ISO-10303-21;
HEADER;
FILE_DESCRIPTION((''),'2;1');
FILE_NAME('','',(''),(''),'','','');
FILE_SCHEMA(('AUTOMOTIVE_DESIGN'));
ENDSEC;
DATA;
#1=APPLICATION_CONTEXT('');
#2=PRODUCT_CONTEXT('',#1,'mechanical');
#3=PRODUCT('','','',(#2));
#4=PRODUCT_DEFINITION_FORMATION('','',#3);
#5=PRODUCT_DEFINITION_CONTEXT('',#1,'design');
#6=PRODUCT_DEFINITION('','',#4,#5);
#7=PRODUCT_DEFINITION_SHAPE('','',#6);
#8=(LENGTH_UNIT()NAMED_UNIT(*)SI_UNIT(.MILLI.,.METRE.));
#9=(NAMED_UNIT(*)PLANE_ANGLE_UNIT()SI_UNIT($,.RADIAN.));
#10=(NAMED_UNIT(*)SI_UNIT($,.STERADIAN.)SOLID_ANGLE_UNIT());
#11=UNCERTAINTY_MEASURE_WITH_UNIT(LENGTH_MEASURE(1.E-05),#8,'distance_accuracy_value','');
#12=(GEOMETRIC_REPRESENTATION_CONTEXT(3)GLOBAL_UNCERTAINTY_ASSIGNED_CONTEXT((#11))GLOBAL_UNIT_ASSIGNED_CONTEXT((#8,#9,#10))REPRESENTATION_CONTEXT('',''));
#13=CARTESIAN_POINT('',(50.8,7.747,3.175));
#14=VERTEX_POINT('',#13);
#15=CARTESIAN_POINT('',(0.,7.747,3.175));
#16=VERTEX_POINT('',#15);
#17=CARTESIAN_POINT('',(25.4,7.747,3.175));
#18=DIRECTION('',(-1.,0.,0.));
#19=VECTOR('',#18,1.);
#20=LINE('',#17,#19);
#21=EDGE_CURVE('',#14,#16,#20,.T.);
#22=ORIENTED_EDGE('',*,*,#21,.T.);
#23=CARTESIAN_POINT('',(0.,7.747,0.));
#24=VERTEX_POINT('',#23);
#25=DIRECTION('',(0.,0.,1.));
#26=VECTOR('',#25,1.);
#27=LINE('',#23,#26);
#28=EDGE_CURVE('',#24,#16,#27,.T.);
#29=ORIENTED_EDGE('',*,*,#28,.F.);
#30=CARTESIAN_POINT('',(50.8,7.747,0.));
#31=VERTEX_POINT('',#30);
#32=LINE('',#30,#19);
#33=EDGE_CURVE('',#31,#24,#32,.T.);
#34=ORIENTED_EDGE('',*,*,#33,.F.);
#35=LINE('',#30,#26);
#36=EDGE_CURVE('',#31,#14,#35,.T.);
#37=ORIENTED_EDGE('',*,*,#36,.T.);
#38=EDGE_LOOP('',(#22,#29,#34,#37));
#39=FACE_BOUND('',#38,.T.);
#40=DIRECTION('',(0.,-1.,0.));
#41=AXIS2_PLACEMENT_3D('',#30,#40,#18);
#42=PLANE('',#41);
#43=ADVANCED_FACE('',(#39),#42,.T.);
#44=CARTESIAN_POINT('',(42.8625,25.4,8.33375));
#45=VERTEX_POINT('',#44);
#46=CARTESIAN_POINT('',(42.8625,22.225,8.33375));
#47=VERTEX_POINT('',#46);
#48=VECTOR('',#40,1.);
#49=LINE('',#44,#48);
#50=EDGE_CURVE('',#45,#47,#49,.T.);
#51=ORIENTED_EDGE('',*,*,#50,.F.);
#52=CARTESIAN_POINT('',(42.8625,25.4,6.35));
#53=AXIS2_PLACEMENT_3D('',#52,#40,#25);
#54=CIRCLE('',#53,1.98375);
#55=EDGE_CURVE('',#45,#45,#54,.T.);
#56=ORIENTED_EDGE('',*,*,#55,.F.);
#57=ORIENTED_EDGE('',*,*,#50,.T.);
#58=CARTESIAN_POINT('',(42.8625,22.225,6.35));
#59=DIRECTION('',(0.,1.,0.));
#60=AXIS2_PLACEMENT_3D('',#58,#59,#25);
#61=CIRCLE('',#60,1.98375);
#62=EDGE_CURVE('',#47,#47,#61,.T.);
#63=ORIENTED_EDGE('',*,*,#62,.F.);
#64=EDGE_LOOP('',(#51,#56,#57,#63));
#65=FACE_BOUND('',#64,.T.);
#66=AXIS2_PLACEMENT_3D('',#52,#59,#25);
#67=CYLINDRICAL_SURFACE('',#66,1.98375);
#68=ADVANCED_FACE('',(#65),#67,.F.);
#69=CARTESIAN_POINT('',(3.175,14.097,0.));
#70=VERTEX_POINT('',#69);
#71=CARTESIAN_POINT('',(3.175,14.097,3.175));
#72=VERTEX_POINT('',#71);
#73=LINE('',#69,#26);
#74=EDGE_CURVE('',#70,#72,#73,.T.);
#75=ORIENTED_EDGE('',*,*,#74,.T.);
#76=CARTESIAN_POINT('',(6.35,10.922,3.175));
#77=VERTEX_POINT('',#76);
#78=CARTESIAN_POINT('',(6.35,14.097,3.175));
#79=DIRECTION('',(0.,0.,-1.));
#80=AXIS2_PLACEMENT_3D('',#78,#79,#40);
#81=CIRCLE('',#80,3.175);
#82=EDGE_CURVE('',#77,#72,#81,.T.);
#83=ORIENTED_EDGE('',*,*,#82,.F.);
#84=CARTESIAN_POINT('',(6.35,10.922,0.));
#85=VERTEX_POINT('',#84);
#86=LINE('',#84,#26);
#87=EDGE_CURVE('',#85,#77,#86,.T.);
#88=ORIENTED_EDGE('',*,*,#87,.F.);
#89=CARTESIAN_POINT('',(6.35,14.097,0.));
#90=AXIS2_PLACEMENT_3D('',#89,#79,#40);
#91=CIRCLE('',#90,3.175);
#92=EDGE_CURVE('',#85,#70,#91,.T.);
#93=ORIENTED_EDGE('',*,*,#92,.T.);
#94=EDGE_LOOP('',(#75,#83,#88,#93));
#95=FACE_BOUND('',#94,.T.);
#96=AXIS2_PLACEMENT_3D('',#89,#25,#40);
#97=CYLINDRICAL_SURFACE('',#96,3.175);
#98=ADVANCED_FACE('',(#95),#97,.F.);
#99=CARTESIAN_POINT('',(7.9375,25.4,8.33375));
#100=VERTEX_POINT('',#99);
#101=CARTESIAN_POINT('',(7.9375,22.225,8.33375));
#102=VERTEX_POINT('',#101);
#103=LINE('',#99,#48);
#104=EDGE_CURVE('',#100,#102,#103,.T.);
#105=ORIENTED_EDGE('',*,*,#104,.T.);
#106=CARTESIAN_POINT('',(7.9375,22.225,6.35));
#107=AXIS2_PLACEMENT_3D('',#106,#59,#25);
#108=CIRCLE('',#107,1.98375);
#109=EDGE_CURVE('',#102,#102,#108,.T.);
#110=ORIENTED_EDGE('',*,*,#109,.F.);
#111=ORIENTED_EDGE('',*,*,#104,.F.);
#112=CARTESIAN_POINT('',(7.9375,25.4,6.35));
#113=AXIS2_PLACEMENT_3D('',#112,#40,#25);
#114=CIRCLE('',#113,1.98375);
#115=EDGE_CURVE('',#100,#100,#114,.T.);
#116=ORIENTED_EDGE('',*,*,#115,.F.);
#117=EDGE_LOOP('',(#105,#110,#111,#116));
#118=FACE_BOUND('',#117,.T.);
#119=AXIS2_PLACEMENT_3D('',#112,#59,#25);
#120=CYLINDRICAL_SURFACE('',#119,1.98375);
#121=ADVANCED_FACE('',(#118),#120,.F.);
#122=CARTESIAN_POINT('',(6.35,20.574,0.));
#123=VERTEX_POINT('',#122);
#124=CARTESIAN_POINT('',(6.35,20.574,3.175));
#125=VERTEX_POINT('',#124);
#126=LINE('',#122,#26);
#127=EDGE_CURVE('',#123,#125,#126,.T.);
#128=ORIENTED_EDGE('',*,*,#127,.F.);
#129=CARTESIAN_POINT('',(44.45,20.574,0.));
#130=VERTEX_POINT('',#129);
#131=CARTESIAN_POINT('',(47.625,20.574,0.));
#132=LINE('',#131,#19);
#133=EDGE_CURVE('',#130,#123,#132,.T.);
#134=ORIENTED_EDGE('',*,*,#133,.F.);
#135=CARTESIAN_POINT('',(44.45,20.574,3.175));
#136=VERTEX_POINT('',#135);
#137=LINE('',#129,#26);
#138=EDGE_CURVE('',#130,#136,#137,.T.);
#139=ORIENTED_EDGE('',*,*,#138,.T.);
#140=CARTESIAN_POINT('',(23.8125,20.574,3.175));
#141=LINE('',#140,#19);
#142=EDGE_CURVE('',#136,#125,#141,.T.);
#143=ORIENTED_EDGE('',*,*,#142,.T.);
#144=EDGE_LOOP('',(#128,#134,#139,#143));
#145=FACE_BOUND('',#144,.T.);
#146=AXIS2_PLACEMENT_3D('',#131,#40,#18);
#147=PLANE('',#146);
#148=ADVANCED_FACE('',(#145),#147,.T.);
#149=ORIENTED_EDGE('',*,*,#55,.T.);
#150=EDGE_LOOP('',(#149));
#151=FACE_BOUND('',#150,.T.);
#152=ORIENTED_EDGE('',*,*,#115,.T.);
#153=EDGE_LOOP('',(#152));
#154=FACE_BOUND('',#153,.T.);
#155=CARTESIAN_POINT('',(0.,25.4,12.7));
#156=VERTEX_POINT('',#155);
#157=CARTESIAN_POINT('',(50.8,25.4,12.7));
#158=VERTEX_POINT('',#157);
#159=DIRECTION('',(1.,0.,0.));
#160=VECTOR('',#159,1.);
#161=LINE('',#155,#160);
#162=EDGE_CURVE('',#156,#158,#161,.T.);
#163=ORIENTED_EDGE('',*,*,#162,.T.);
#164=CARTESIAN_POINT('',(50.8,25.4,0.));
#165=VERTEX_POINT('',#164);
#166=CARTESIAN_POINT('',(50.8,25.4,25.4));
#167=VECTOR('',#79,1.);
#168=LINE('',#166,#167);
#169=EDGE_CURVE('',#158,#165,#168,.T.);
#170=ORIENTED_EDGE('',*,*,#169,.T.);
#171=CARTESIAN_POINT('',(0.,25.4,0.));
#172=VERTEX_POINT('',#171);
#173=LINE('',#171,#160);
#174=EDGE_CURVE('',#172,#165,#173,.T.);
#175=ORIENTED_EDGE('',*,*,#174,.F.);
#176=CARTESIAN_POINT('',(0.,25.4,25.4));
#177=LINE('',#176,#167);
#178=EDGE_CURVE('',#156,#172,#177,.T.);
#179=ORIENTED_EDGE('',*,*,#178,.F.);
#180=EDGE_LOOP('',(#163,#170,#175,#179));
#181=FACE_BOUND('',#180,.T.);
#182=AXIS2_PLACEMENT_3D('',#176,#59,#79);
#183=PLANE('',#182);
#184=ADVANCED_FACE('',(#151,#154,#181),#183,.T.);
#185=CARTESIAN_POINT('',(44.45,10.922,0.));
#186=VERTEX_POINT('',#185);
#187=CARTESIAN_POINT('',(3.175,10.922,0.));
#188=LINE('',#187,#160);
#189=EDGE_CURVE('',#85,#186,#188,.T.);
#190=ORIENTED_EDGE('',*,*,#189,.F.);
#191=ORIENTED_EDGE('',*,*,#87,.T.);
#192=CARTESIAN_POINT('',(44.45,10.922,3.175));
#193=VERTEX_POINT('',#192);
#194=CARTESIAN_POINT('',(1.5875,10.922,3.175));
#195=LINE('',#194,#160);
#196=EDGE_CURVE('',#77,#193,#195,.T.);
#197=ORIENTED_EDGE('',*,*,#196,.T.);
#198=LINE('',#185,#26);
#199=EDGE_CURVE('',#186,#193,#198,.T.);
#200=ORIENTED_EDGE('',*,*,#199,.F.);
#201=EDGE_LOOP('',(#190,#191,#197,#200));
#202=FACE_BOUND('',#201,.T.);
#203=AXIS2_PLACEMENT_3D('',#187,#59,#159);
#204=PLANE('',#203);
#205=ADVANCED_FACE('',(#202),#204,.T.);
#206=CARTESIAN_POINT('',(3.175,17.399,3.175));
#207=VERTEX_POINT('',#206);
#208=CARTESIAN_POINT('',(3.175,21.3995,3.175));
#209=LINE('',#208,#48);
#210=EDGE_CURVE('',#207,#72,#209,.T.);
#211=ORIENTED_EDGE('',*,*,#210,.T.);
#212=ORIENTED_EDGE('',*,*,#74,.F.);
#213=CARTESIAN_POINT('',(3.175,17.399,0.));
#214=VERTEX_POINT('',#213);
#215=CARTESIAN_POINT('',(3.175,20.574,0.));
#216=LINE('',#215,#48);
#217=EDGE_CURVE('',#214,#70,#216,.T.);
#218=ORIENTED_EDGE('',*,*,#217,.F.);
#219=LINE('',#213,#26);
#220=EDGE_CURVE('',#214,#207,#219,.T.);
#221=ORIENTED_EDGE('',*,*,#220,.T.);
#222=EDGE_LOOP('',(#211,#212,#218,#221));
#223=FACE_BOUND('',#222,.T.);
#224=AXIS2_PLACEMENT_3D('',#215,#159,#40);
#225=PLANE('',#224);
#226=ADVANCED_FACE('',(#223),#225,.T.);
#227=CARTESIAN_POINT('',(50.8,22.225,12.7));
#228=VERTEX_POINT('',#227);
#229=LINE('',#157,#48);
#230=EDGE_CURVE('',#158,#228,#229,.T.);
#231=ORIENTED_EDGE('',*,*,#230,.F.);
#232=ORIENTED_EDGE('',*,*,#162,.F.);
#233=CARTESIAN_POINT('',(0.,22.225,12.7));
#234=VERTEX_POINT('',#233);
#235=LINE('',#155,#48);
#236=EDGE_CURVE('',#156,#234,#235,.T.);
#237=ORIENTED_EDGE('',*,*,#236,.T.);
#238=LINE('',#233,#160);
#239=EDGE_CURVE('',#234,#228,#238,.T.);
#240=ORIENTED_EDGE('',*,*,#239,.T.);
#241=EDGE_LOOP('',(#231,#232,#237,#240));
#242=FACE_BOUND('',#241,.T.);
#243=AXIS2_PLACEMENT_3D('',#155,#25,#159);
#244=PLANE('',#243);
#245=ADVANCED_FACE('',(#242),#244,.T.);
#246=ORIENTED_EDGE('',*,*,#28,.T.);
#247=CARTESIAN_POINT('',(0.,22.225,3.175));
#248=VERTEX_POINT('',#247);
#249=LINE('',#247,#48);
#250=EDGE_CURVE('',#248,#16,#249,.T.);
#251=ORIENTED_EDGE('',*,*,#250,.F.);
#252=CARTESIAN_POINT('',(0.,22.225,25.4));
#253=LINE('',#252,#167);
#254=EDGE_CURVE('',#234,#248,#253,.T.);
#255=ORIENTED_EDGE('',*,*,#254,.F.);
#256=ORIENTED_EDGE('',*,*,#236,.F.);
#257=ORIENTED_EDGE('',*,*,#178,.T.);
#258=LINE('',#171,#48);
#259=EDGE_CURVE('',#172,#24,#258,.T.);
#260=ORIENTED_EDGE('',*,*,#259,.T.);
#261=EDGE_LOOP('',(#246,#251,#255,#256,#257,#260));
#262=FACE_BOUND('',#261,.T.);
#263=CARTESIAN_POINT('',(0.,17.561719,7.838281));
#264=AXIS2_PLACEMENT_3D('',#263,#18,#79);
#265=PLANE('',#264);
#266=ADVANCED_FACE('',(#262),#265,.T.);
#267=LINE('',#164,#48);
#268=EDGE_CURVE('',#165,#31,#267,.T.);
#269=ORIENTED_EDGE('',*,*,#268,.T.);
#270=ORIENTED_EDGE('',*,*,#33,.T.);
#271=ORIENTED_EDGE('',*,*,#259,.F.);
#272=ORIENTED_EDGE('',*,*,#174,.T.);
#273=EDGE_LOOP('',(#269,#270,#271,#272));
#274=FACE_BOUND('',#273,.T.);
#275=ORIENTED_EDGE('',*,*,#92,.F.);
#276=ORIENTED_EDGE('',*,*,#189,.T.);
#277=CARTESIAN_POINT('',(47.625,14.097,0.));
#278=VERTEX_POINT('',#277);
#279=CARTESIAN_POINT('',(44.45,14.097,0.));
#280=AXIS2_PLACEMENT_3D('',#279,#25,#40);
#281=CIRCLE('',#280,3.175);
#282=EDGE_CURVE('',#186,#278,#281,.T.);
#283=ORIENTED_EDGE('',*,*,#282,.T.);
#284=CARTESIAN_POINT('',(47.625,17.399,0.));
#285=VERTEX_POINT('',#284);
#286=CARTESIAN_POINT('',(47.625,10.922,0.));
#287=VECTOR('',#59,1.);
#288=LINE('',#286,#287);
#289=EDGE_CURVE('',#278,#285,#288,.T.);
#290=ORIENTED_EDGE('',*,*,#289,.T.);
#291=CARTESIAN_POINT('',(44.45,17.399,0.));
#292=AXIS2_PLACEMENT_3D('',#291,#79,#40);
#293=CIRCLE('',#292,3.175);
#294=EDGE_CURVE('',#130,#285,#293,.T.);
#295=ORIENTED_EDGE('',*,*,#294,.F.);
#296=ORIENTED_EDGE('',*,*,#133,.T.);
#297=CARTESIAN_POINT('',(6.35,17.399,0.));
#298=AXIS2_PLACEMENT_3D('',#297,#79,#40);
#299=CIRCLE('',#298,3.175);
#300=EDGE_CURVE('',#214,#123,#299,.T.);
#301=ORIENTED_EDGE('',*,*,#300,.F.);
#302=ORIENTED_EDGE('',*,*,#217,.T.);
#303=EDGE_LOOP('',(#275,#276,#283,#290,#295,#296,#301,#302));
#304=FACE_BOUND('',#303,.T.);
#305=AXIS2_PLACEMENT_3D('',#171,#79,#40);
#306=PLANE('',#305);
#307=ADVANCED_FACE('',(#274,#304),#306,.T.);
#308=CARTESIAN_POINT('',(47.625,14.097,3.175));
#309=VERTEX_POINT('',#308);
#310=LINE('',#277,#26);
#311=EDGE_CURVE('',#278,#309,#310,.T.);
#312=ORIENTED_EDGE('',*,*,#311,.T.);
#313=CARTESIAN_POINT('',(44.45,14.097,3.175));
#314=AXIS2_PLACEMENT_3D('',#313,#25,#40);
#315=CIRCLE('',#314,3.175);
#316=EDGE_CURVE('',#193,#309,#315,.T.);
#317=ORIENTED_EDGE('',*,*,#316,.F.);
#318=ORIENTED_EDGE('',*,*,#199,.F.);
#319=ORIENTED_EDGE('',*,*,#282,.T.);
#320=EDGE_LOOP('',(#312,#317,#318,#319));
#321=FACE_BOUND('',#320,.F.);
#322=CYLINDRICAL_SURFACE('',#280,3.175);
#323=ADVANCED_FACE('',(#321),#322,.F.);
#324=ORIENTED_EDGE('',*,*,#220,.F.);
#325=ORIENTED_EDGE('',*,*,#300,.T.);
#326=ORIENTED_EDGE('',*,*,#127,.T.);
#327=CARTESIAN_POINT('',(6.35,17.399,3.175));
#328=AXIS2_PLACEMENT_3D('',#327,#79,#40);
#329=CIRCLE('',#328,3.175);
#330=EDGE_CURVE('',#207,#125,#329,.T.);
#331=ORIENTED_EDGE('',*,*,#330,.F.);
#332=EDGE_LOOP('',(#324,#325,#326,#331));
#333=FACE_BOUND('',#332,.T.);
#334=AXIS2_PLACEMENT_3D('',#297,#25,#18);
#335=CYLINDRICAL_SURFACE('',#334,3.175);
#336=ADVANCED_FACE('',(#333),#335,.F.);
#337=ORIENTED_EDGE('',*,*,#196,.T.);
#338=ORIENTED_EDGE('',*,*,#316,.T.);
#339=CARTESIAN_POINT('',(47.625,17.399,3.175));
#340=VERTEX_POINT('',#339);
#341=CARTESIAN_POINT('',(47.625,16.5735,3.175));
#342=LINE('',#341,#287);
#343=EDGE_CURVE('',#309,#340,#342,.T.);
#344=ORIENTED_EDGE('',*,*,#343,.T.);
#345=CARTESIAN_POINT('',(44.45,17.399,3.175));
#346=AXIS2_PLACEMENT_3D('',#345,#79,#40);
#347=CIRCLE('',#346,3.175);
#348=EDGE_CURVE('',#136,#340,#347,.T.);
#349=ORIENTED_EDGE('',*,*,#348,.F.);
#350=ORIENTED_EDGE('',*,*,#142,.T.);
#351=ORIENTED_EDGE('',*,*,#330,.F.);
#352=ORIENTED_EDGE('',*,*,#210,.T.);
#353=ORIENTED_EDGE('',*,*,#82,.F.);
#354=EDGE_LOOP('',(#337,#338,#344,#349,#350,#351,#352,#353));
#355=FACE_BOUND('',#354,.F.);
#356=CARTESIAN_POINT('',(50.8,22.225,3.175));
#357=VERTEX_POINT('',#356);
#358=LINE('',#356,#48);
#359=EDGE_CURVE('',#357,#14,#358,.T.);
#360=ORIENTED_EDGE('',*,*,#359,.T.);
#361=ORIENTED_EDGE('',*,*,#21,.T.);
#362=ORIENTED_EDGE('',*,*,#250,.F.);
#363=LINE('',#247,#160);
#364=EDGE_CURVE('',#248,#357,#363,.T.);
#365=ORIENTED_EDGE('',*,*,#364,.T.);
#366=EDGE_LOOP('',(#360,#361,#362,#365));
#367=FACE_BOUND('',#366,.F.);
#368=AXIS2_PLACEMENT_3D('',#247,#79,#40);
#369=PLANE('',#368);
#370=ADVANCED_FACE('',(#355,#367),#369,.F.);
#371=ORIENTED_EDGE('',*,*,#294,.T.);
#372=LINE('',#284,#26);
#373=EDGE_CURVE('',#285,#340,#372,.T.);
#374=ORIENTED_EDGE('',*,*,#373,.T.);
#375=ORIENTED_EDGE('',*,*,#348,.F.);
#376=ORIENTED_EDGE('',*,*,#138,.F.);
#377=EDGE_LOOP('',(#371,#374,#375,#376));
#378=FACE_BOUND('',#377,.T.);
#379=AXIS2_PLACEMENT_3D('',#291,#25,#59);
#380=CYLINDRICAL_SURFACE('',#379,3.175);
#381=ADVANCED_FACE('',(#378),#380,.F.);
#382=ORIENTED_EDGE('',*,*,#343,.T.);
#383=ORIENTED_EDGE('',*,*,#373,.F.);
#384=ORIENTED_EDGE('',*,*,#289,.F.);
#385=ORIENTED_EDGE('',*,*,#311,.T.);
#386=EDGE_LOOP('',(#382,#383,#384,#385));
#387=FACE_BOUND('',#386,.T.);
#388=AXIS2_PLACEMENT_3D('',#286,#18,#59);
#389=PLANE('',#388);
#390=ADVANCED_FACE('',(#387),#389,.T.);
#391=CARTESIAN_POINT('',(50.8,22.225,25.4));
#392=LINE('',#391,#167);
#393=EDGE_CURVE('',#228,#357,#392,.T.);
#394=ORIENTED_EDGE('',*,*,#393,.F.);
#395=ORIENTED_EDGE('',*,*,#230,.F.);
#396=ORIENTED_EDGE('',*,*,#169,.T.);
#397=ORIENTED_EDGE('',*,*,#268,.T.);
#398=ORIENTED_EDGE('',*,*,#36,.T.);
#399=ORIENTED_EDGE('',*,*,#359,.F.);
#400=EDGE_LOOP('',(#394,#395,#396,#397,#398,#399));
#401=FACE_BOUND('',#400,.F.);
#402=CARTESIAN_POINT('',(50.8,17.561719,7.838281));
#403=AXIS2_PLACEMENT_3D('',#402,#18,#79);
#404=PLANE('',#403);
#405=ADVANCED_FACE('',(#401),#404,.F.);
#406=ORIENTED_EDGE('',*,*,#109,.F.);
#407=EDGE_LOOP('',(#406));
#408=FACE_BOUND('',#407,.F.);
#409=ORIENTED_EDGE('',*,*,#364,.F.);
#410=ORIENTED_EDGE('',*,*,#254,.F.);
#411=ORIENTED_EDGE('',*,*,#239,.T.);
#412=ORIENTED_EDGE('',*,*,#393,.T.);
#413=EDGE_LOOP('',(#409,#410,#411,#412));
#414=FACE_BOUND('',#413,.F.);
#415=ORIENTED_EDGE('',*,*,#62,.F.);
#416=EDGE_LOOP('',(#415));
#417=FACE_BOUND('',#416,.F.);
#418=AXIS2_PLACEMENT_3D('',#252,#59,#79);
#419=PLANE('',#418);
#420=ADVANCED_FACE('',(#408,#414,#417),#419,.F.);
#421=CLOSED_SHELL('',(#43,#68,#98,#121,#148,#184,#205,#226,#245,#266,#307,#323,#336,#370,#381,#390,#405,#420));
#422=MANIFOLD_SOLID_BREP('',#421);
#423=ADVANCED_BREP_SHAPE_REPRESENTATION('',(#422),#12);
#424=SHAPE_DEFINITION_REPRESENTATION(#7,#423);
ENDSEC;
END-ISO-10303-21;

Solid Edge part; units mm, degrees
sketch "Sketch1" plane through (0, 0, 0) normal (1, 0, 0) x (0, 1, 0)
  line L0 (0, 0) -> (0, 3.175)
  line L1 (22.225, 3.175) -> (0, 3.175)
  line L2 (22.225, 25.4) -> (22.225, 3.175)
  line L3 (22.225, 25.4) -> (25.4, 25.4)
  line L4 (25.4, 25.4) -> (25.4, 0)
  line L5 (25.4, 0) -> (0, 0)
  dimension "D1" = 3.175
  dimension "D2" = 3.175
  dimension "D3" = 25.4
  dimension "D4" = 25.4
extrude "Protrusion1" add sketch "Sketch1" along normal blind 50.8
sketch "Sketch2" plane through (25.4, 12.7, 0) normal (0, 0, -1) x (-1, 0, 0)
  line L0 (-22.225, -1.778) -> (-22.225, 7.874)
  line L1 (-22.225, 7.874) -> (22.225, 7.874)
  line L2 (22.225, 7.874) -> (22.225, -1.778)
  line L3 (22.225, -1.778) -> (-22.225, -1.778)
  dimension "D1" = 3.175
  dimension "D2" = 9.652
  dimension "D3" = 4.826
  dimension "D4" = 3.175
extrude "Cutout1" cut sketch "Sketch2" against normal through all
fillet "Round_1" radius 3.175 4 edges at (3.175, 10.922, 1.5875) (47.625, 10.922, 1.5875) (47.625, 20.574, 1.5875) (3.175, 20.574, 1.5875)
sketch "Sketch3" plane through (25.4, 25.4, 12.7) normal (0, 1, 0) x (1, 0, 0)
  line L0 (-25.4, -12.7) -> (-25.4, 0)
  line L1 (-25.4, 0) -> (25.4, 0)
  line L2 (25.4, 0) -> (25.4, -12.7)
  line L3 (25.4, -12.7) -> (-25.4, -12.7)
  dimension "D1" = 12.7
extrude "Cutout2" cut sketch "Sketch3" against normal through all
hole "Hole_1" at (42.8625, 25.4, 6.35) direction (0, -1, 0) diameter 3.9675 end up to next
hole "Hole1" at (7.9375, 25.4, 6.35) direction (0, -1, 0) diameter 3.9675 end up to next
sketch "Sketch4" plane through (25.4, 12.7, 0) normal (0, 0, -1) x (-1, 0, 0)
  line L0 (-25.4, -12.7) -> (-25.4, -4.953)
  line L1 (-25.4, -4.953) -> (25.4, -4.953)
  line L2 (25.4, -4.953) -> (25.4, -12.7)
  line L3 (25.4, -12.7) -> (-25.4, -12.7)
  dimension "D1" = 3.175
extrude "Cutout3" cut sketch "Sketch4" against normal through all
